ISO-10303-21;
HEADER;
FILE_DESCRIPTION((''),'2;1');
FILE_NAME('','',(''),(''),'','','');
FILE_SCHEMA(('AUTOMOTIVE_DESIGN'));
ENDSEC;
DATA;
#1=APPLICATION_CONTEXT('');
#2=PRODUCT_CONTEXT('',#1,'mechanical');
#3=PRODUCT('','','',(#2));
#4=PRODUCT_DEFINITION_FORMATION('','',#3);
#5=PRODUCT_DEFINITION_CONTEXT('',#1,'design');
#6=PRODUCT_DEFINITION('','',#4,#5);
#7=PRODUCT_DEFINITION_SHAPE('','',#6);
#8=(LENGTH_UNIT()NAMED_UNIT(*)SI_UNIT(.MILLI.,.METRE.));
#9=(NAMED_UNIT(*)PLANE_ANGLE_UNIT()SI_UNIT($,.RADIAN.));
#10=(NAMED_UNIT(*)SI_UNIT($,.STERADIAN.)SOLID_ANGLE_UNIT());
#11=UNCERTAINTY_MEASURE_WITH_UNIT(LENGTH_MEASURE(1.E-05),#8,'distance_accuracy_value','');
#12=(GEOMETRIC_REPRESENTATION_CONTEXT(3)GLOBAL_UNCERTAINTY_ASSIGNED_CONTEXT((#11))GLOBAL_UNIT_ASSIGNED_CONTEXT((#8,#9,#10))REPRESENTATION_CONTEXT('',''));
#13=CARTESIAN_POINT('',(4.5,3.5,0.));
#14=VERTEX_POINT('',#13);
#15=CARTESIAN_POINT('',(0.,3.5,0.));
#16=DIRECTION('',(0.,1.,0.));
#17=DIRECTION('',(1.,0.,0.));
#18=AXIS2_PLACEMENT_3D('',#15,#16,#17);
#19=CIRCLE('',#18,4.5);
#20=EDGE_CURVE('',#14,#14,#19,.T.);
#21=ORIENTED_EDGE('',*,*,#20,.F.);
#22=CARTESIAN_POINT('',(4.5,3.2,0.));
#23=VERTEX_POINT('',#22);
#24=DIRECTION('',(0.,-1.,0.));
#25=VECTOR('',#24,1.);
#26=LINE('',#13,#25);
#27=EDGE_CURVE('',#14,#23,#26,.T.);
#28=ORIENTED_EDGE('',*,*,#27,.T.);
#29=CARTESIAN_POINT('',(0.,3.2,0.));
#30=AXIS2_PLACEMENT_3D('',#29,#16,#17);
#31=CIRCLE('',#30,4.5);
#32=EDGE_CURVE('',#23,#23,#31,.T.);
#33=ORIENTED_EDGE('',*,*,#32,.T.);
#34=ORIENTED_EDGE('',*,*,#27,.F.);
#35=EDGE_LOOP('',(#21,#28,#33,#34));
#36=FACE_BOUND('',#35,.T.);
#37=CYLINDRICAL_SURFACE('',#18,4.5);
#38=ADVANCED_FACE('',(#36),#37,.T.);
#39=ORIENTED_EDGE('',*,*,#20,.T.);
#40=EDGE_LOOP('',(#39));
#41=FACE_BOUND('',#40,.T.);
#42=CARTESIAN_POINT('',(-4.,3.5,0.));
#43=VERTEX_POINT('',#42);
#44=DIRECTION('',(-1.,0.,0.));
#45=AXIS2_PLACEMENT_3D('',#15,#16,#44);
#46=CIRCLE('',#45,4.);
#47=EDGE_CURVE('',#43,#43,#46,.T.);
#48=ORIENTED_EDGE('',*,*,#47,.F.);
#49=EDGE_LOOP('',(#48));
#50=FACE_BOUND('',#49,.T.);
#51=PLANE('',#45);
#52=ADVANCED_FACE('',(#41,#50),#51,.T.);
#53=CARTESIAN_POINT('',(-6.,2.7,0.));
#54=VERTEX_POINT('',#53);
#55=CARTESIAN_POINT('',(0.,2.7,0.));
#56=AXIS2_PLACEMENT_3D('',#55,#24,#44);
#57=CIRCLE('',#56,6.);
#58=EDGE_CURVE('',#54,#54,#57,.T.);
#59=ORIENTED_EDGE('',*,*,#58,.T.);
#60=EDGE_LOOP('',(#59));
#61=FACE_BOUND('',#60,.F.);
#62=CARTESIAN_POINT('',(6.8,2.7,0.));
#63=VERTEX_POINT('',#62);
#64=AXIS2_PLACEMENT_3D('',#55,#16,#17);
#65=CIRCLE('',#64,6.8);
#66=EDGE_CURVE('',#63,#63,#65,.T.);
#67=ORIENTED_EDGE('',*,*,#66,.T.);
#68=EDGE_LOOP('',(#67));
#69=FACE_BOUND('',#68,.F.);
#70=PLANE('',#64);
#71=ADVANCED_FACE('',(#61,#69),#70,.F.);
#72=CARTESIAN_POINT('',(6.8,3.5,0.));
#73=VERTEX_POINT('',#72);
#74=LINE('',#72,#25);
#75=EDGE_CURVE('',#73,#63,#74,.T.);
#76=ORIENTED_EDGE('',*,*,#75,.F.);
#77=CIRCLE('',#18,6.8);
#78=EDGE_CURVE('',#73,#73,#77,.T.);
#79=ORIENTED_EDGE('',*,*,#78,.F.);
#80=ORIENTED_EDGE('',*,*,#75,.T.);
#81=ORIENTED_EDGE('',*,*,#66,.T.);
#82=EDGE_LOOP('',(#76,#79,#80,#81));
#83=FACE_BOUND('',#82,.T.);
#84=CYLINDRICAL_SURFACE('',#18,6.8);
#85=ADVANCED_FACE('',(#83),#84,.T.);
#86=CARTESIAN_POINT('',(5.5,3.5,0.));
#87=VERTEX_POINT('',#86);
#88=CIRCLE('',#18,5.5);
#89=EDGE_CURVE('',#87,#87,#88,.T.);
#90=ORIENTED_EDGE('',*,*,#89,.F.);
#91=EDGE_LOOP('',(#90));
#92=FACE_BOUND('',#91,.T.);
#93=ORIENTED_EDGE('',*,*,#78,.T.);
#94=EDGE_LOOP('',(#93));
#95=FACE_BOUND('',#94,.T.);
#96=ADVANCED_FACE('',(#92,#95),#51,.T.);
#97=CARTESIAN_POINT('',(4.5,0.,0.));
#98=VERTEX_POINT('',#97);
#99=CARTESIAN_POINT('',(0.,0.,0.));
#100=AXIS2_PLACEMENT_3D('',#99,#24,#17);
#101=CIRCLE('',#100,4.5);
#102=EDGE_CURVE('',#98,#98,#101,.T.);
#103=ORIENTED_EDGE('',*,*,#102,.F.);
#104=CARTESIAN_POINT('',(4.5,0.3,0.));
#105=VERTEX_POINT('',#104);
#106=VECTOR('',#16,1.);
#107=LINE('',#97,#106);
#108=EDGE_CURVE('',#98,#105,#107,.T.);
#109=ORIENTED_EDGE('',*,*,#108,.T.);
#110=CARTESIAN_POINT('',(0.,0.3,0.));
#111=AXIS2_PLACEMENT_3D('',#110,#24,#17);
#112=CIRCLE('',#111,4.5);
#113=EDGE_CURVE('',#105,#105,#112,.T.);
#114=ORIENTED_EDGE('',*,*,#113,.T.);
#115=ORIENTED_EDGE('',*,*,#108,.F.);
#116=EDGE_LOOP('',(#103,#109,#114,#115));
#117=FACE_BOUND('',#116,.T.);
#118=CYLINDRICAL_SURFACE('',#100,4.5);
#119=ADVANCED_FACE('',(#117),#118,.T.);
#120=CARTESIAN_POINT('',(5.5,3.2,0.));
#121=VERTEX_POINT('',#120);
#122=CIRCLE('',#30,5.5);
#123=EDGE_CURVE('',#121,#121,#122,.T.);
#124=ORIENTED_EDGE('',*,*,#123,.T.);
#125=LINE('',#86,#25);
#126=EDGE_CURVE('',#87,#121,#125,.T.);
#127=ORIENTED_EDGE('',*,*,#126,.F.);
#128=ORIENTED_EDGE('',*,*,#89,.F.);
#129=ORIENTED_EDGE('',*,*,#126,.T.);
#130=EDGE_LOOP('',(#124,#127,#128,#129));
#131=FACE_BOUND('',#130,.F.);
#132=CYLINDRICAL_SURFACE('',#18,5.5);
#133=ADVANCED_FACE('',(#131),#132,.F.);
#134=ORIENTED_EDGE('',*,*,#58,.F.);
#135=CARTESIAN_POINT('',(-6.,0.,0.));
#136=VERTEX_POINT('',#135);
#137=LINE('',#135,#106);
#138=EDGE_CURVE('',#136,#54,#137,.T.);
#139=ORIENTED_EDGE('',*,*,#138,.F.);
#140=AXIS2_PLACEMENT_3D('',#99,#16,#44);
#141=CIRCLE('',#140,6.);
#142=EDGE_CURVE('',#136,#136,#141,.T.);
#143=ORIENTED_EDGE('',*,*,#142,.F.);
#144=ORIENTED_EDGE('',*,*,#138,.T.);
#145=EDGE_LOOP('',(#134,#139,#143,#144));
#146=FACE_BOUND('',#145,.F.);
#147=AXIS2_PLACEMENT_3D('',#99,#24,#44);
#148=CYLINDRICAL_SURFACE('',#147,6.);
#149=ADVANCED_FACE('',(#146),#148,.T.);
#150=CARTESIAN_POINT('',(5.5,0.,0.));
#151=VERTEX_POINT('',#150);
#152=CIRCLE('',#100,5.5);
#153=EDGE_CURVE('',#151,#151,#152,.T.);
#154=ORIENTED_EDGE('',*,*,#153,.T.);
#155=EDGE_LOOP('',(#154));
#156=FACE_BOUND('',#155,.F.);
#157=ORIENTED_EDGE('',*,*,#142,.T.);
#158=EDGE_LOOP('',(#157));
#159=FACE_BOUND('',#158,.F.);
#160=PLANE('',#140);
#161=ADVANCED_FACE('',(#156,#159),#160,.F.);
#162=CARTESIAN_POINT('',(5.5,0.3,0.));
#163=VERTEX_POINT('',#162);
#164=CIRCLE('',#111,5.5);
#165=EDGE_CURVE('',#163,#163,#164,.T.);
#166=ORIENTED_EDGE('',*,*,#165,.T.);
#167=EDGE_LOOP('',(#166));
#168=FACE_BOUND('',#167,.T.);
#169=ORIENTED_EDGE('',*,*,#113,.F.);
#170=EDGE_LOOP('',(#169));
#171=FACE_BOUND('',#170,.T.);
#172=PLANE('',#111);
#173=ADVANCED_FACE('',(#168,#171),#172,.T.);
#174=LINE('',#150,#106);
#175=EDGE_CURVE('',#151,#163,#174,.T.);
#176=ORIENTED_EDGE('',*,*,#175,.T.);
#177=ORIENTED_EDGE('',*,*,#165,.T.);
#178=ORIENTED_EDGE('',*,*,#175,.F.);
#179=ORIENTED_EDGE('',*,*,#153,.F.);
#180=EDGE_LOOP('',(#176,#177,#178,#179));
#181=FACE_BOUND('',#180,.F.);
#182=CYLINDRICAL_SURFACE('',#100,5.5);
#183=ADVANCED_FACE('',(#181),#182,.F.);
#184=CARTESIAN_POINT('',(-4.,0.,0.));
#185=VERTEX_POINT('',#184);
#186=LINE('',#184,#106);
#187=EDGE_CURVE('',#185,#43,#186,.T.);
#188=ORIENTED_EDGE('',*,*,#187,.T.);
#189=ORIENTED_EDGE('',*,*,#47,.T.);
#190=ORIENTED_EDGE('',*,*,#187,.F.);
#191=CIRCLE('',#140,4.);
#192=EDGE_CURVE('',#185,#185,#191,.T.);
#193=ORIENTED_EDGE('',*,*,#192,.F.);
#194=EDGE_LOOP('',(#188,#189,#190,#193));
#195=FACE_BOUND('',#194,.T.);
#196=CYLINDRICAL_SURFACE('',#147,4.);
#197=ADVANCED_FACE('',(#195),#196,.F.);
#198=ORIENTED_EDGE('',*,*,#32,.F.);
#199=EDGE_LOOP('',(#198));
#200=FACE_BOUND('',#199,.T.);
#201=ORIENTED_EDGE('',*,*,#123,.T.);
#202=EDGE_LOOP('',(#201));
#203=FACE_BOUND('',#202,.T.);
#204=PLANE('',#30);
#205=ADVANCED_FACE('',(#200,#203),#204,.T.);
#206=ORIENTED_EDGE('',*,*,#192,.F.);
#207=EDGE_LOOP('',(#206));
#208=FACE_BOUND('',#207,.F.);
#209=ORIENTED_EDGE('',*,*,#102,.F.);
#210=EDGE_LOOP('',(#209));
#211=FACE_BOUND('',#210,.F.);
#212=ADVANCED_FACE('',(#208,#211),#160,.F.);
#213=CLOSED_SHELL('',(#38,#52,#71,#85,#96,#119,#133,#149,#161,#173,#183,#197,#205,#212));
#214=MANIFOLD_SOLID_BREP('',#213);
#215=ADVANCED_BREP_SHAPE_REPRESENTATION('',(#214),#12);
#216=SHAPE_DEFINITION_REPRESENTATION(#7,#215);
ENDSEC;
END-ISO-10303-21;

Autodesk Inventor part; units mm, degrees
ref_plane "YZ Plane" through (0, 0, 0) normal (1, 0, 0) x (0, 1, 0)
ref_plane "XZ Plane" through (0, 0, 0) normal (0, 1, 0) x (-1, 0, 0)
ref_plane "XY Plane" through (0, 0, 0) normal (0, 0, 1) x (1, 0, 0)
sketch "スケッチ1" plane through (0, 0, 0) normal (0, 1, 0) x (-1, 0, 0)
  circle A0 centre (0, 0) radius 4
  circle A1 centre (0, 0) radius 6
  dimension "d0" = 8
  dimension "d1" = 12
extrude "押し出し1" add sketch "スケッチ1" along normal blind 3.5
sketch "スケッチ2" plane through (0, 3.5, 0) normal (0, 1, 0) x (1, 0, 0)
  circle A0 centre (0, 0) radius 6
  circle A1 centre (0, 0) radius 6.8
  circle A2 centre (0, 0) radius 6 projected
  dimension "d4" = 13.6
extrude "押し出し2" add sketch "スケッチ2" against normal blind 0.8
sketch "スケッチ3" plane through (0, 3.5, 0) normal (0, 1, 0) x (1, 0, 0)
  circle A0 centre (0, 0) radius 4 projected
  circle A1 centre (0, 0) radius 4.5
  circle A2 centre (0, 0) radius 5.5
  dimension "d7" = 9
  dimension "d8" = 11
extrude "押し出し3" cut sketch "スケッチ3" against normal blind 0.3 contours A2
sketch "スケッチ4" plane through (0, 0, 0) normal (0, -1, 0) x (1, 0, 0)
  circle A0 centre (0, 0) radius 4 projected
  circle A1 centre (0, 0) radius 4.5
  circle A2 centre (0, 0) radius 5.5
  dimension "d11" = 9
  dimension "d12" = 11
extrude "押し出し4" cut sketch "スケッチ4" against normal blind 0.3 contours A2
properties part number "Bearing_MF128ZZ" material "ステンレス鋼"
